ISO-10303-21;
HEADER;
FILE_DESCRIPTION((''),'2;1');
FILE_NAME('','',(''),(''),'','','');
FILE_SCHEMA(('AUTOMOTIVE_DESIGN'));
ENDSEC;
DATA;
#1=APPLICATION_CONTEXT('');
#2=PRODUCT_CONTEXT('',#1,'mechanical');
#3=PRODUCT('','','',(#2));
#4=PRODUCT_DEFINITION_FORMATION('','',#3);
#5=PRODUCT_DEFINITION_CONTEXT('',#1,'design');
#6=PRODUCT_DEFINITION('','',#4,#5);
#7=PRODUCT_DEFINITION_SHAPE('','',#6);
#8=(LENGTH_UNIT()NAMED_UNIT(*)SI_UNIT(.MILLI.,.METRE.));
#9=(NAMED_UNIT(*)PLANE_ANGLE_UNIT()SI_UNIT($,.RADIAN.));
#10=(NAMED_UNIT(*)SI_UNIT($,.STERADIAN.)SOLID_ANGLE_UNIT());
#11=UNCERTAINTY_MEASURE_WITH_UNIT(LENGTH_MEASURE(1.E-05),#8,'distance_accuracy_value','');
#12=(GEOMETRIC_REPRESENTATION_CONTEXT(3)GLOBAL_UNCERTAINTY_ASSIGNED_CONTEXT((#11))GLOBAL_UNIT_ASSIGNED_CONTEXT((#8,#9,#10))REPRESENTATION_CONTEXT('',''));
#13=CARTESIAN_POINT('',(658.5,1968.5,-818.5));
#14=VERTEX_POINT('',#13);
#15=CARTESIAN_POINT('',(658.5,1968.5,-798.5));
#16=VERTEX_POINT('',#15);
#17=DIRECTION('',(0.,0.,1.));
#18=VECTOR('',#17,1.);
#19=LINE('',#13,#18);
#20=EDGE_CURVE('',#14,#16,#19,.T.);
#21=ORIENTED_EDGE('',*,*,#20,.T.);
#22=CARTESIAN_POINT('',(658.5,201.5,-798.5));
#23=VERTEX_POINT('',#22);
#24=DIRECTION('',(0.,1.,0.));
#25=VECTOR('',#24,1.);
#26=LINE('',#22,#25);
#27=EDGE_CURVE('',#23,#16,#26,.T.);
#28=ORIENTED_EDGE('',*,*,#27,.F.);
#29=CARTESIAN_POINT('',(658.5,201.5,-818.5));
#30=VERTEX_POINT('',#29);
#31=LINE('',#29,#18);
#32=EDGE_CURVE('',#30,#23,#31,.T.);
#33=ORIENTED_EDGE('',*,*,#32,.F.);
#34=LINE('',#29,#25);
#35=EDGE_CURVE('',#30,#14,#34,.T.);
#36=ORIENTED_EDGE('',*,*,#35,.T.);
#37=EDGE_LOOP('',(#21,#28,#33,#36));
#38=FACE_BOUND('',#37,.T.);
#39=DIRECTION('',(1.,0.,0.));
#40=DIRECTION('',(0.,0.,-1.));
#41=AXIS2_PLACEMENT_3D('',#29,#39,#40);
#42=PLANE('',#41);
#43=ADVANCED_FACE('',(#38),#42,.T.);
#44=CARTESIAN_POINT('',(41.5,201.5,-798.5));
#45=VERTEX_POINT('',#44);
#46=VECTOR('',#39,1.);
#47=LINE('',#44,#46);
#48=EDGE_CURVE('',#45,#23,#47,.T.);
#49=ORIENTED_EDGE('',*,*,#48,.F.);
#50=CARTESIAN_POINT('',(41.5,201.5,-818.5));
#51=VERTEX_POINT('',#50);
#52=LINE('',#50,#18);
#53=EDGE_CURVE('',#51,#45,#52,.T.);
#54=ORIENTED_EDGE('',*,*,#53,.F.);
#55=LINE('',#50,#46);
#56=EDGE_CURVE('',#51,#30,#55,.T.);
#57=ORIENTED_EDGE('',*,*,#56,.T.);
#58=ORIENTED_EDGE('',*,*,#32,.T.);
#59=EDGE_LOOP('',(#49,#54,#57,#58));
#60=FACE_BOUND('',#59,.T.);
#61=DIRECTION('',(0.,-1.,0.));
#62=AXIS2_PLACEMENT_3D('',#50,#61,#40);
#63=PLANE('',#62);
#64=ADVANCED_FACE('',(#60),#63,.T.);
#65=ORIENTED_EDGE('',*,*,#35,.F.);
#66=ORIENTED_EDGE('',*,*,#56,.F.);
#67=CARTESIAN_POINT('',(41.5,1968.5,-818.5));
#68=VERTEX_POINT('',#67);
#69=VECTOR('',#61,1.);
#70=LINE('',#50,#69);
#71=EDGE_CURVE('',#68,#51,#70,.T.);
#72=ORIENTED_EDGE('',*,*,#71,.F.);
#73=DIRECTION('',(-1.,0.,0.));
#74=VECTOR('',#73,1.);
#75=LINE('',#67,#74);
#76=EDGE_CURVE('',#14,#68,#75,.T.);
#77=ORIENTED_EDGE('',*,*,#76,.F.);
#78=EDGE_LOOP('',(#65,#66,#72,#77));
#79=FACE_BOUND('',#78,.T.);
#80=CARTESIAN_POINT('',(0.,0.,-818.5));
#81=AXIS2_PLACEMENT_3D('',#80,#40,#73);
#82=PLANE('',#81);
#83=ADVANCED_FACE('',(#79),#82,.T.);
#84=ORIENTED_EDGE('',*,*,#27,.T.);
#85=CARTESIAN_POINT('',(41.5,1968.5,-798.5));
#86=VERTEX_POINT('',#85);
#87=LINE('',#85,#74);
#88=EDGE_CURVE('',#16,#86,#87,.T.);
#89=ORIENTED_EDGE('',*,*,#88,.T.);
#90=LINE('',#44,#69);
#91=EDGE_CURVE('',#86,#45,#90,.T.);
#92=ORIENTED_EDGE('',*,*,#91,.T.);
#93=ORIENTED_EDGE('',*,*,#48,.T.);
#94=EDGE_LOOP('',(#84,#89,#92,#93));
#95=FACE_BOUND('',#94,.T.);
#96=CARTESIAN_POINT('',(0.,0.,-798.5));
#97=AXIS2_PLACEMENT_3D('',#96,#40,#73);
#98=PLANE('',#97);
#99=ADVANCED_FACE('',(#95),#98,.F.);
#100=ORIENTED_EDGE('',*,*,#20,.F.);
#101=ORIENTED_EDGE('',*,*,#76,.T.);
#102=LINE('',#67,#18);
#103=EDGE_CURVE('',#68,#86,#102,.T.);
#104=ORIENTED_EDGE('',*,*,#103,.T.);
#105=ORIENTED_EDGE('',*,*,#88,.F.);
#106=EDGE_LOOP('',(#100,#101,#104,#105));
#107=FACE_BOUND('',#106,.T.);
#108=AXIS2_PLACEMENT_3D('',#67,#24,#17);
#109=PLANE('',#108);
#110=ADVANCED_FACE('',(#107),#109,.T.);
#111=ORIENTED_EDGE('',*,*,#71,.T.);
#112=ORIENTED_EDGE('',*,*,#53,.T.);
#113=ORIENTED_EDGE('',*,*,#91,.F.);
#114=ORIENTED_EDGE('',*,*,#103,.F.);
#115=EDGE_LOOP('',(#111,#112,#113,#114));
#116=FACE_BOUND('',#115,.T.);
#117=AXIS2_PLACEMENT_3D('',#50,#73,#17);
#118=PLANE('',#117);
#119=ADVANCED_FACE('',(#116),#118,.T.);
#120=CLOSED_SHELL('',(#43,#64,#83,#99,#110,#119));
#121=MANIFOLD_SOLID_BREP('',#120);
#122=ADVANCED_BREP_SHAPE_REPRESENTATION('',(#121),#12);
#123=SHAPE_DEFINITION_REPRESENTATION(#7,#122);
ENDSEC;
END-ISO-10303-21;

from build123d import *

# Parameters (mm, degrees)
TOPPING_PU_ARKA_1_START = -798.5
SKETCH1_W               = 617
SKETCH1_H               = 1767
TOPPING_PU_ARKA_1_DEPTH = 20


with BuildPart() as part:
    # Sketch1 → TOPPING_pu_arka_1 (new body)
    with BuildSketch(Plane.XY.offset(TOPPING_PU_ARKA_1_START)):
        with Locations((350, 1085)):
            Rectangle(SKETCH1_W, SKETCH1_H)
    extrude(amount=-TOPPING_PU_ARKA_1_DEPTH)


solid = part.part
